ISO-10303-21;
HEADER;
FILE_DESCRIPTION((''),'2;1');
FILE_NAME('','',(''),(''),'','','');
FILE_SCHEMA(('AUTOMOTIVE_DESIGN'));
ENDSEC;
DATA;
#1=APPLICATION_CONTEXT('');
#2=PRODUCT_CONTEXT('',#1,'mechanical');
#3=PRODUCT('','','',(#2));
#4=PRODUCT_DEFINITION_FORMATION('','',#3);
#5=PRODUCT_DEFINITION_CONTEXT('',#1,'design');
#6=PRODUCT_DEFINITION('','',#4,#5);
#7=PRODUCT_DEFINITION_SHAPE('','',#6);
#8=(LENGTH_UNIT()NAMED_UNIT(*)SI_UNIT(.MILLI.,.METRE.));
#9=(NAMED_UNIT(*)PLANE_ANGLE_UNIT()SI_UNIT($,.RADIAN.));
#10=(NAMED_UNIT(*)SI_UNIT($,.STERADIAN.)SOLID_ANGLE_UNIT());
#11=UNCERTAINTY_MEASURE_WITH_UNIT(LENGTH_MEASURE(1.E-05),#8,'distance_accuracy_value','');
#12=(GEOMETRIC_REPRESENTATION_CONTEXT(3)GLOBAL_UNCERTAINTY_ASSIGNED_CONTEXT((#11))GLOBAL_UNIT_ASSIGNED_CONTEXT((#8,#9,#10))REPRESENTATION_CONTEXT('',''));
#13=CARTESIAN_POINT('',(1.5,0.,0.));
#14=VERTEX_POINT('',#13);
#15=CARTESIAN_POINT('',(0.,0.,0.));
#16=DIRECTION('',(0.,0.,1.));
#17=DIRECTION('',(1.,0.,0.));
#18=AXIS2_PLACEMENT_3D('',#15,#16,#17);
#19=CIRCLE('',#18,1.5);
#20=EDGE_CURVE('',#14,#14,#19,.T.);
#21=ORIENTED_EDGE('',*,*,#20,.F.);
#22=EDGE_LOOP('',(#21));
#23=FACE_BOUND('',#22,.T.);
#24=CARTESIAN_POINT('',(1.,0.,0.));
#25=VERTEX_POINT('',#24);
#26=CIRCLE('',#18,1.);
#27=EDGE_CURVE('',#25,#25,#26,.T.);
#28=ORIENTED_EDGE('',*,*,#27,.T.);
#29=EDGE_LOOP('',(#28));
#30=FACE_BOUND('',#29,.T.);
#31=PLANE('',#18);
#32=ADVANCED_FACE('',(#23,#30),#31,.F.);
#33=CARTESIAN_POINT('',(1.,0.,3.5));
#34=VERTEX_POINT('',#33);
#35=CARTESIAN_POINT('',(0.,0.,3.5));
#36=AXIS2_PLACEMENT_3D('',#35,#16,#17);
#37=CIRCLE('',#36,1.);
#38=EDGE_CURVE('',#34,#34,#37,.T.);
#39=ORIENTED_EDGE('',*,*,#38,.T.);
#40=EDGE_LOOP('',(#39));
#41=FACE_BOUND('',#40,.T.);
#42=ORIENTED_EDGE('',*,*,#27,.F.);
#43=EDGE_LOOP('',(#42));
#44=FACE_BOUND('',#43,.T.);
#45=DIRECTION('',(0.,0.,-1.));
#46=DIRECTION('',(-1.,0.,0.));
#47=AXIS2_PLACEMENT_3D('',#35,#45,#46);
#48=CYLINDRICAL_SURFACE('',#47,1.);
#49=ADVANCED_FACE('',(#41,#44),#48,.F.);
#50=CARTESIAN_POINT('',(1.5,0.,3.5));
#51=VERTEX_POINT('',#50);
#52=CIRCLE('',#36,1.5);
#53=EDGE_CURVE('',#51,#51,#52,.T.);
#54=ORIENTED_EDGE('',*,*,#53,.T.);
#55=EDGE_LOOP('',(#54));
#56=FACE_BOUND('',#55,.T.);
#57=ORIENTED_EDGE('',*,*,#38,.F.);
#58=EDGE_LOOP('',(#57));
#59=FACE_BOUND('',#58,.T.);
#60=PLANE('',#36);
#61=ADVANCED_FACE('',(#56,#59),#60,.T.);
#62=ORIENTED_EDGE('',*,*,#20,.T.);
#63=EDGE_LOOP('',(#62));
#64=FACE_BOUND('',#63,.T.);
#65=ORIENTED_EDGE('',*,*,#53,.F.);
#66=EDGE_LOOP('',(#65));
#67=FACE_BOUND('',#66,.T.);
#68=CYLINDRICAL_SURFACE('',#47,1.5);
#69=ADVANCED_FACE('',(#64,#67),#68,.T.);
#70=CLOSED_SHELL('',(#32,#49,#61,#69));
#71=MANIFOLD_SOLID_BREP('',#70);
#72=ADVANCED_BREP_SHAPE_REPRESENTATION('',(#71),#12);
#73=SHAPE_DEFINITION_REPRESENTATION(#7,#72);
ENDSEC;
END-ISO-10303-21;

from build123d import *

# Parameters (mm, degrees)
ESQUISSE1_R        = 1.5
ESQUISSE1_R_2      = 1
BOSS_EXTRU_1_DEPTH = 3.5


with BuildPart() as part:
    # Esquisse1 → Boss.-Extru.1 (new body)
    with BuildSketch(Plane.XY):
        Circle(ESQUISSE1_R)
        Circle(ESQUISSE1_R_2, mode=Mode.SUBTRACT)
    extrude(amount=BOSS_EXTRU_1_DEPTH)


solid = part.part
